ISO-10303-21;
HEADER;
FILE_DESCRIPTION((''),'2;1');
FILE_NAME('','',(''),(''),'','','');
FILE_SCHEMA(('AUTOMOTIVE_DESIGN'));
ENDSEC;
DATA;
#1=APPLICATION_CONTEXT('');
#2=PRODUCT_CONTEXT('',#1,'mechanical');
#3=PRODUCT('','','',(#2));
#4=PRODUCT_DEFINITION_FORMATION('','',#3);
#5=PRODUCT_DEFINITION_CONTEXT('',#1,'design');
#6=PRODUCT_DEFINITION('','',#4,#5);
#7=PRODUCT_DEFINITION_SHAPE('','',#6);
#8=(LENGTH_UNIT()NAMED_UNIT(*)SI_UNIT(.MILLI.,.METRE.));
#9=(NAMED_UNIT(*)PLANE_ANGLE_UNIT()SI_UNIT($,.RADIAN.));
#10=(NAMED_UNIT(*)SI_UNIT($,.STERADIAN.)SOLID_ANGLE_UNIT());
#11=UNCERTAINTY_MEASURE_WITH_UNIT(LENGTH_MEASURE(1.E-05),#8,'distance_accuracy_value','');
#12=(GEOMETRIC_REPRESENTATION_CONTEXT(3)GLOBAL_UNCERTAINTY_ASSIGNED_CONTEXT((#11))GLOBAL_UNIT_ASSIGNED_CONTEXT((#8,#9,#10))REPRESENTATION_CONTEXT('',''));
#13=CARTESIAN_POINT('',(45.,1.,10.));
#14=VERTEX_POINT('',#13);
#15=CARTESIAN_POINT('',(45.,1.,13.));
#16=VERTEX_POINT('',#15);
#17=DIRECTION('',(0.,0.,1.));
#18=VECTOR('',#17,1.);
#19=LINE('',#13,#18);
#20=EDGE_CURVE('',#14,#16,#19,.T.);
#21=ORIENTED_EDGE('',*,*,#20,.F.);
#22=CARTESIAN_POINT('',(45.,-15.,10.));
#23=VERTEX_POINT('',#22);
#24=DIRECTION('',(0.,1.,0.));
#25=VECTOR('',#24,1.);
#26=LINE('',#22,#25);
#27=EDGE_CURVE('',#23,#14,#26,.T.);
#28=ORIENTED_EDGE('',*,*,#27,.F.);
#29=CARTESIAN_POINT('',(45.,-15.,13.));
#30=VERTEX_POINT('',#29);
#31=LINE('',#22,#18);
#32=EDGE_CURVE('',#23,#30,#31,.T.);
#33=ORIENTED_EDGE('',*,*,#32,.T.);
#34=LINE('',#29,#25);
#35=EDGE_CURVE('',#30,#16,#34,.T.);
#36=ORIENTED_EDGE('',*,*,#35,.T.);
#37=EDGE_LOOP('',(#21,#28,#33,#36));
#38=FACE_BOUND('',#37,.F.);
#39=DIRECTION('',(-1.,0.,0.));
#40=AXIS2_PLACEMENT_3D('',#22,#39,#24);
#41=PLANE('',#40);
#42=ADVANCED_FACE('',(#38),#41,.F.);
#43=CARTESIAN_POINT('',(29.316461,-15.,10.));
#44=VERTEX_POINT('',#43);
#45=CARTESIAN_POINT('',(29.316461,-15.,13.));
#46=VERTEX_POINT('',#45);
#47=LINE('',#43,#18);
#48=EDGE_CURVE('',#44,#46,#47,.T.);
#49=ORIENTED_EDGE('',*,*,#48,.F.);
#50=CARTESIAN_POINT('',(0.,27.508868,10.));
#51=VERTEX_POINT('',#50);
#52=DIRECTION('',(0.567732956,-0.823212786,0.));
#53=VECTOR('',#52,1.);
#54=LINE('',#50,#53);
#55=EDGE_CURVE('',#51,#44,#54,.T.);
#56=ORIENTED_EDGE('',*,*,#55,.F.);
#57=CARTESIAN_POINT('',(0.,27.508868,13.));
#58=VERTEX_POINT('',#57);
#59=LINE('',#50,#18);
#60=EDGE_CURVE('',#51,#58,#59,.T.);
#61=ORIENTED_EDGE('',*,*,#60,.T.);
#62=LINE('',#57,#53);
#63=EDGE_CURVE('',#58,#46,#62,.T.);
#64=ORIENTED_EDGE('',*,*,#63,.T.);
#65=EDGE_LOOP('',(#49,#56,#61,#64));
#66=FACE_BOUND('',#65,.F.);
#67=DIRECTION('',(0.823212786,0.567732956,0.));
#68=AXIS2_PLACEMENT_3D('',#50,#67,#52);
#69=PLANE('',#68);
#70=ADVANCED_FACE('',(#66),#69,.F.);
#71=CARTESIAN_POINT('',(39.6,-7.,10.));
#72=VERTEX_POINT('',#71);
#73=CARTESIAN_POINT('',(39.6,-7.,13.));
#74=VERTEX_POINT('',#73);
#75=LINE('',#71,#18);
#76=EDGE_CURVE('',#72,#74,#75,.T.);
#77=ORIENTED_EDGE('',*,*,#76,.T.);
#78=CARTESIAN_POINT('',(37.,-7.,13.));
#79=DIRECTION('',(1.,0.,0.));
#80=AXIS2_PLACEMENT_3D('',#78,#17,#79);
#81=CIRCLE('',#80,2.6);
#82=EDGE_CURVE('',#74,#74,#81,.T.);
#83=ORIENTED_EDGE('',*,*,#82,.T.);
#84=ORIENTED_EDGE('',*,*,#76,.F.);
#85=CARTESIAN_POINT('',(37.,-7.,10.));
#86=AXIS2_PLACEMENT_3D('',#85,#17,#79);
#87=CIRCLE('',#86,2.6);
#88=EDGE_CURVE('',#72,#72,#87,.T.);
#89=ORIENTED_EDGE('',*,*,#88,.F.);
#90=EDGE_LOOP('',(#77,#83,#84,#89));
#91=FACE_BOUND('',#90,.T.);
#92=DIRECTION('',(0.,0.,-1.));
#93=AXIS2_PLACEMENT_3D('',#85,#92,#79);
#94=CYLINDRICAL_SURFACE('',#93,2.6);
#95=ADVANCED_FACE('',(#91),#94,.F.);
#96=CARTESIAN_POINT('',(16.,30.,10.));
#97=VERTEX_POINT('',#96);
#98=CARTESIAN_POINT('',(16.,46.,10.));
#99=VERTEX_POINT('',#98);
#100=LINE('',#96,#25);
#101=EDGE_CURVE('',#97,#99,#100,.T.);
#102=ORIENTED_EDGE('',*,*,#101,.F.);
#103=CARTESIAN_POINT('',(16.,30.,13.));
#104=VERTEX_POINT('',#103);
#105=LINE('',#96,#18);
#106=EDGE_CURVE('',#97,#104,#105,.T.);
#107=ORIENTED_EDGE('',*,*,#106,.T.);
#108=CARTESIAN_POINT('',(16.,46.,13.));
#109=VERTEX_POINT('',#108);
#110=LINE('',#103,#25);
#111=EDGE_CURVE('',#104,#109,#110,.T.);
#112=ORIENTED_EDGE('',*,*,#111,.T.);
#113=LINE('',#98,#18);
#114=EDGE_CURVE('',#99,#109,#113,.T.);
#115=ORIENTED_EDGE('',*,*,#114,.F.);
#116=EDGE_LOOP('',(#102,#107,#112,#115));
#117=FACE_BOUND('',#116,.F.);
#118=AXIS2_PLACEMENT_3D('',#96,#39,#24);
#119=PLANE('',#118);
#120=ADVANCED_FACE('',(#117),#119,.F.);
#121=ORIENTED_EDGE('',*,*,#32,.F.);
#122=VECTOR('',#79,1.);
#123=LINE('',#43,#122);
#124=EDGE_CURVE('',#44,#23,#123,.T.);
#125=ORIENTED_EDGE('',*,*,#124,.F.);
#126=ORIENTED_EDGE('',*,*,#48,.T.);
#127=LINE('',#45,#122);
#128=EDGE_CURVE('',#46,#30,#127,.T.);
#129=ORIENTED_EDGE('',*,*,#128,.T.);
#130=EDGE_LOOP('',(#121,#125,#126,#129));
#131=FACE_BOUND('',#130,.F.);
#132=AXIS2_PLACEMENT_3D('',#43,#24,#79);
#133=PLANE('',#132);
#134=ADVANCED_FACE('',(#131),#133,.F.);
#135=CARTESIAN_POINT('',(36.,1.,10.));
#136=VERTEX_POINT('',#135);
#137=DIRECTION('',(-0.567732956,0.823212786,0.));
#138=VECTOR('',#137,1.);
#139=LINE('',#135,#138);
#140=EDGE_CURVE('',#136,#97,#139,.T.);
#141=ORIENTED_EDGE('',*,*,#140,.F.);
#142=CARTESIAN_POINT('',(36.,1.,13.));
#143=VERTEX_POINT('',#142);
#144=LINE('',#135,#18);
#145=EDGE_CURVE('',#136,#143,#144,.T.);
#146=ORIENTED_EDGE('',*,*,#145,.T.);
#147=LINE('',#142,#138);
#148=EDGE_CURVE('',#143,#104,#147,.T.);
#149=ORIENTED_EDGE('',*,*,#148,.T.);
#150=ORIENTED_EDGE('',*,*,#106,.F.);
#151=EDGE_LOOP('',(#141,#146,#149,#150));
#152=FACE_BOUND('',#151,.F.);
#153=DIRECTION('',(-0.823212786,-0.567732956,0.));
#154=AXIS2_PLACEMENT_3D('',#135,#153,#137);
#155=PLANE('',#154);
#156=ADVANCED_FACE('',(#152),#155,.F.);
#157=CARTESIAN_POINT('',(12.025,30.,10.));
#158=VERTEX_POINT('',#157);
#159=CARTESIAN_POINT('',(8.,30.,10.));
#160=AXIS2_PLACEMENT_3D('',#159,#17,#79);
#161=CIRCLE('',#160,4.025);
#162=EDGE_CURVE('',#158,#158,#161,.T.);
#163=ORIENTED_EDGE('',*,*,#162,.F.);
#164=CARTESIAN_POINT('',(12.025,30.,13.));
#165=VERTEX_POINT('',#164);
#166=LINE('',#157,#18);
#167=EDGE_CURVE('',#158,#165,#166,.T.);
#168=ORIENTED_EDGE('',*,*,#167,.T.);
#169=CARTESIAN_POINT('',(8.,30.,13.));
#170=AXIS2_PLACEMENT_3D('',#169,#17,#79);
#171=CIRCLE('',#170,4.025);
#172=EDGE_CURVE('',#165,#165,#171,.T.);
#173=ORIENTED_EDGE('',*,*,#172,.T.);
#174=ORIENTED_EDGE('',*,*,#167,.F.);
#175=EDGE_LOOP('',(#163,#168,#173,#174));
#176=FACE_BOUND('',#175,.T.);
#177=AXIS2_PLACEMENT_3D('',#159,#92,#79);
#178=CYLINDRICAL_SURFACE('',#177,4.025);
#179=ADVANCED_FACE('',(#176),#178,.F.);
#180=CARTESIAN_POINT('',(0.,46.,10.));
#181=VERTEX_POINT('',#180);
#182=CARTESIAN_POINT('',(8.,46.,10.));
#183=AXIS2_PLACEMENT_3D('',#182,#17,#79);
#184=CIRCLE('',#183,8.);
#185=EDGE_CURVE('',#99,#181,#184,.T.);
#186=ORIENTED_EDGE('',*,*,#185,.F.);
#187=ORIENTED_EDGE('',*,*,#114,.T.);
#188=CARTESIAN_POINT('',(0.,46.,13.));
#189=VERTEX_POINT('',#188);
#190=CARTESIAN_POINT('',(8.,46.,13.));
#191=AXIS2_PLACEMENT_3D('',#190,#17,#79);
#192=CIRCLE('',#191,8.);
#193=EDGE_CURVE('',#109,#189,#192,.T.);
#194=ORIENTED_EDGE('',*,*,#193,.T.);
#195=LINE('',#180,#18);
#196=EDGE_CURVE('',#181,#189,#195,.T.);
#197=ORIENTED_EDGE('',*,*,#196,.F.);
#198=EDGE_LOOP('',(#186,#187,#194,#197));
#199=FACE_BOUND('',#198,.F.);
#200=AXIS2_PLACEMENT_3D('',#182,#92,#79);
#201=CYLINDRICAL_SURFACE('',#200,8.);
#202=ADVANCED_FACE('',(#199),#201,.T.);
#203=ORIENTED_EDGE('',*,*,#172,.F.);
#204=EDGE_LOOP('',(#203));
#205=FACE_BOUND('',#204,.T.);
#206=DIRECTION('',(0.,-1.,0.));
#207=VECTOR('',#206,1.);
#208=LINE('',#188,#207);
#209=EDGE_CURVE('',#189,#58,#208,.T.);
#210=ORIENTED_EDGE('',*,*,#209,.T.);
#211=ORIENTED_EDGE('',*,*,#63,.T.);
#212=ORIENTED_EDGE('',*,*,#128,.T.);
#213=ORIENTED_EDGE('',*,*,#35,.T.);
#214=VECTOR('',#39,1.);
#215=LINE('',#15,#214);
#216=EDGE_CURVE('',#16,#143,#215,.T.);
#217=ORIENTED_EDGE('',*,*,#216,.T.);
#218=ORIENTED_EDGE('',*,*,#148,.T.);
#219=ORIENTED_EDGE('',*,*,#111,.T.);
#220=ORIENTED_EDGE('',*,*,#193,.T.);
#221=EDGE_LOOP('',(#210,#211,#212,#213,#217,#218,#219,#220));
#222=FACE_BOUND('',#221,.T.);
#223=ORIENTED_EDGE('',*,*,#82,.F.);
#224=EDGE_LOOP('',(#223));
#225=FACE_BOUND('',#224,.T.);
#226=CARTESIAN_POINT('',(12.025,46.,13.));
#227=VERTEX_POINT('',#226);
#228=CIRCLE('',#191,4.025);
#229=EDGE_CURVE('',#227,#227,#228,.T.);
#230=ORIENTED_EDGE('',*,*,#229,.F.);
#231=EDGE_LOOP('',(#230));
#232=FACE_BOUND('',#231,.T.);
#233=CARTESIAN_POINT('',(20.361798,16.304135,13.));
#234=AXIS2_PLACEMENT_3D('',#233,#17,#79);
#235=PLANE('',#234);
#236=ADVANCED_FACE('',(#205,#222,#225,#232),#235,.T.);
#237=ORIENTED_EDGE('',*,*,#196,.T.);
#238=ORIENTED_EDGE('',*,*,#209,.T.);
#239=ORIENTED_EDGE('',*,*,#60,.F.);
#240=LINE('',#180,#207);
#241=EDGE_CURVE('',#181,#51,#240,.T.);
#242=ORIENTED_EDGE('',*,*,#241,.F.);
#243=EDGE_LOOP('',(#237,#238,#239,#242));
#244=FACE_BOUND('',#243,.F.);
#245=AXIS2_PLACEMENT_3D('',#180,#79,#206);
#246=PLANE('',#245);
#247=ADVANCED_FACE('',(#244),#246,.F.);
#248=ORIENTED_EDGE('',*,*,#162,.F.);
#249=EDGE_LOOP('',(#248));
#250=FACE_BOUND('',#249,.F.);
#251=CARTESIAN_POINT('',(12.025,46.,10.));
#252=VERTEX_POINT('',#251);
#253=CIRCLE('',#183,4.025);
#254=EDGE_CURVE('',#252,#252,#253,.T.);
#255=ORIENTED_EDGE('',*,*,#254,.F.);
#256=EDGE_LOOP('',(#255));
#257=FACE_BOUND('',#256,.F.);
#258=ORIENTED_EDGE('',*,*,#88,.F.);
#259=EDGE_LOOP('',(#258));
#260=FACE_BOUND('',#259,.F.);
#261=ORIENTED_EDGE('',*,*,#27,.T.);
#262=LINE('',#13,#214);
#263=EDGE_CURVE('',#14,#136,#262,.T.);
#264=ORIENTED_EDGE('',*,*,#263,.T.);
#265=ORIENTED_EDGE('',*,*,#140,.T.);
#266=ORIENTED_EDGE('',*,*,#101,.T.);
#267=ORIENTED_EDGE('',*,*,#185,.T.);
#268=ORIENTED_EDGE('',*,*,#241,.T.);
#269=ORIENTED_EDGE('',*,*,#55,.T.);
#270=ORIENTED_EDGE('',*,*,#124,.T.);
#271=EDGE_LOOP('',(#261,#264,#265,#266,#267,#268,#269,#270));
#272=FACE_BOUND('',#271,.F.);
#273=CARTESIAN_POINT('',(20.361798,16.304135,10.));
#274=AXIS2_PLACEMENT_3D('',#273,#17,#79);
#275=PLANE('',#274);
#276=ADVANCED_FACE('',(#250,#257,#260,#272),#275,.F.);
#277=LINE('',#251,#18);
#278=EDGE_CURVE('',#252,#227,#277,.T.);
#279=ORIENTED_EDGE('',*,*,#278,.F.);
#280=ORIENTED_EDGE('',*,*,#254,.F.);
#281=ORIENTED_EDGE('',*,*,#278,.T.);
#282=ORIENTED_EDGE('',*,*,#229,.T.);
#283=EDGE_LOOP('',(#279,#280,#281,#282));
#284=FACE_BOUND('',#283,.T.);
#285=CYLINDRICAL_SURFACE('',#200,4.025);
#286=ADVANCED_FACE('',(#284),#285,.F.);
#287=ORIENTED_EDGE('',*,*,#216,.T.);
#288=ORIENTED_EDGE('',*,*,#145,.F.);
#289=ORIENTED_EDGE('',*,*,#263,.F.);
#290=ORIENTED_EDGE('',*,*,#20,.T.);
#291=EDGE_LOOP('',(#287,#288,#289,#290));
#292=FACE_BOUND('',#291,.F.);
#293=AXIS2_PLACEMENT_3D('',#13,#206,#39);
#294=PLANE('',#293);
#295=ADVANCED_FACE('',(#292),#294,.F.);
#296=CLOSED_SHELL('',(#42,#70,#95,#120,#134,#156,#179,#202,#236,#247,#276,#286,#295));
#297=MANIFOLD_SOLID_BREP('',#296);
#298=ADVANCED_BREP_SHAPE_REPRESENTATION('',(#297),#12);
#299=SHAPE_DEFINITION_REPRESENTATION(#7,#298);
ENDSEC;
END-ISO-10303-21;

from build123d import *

# Parameters (mm, degrees)
EXTRUDE_START   = 10
SKETCH_1_R      = 4.025
SKETCH_1_R_2    = 2.6
EXTRUDE_1_DEPTH = 3


with BuildPart() as part:
    # ｽｹｯﾁ1 → ﾎﾞｽ - 押し出し1 (new body)
    with BuildSketch(Plane.XY.offset(EXTRUDE_START)):
        with BuildLine():
            Line((0, 46), (0, 27.508868037))
            Line((0, 27.508868037), (29.316460715, -15))
            Line((29.316460715, -15), (45, -15))
            Line((45, -15), (45, 1))
            Line((45, 1), (36, 1))
            Line((36, 1), (16, 30))
            Line((16, 30), (16, 46))
            ThreePointArc((16, 46), (8, 54), (0, 46))
        make_face()
        with Locations((8, 30)):
            Circle(SKETCH_1_R, mode=Mode.SUBTRACT)
        with Locations((8, 46)):
            Circle(SKETCH_1_R, mode=Mode.SUBTRACT)
        with Locations((37, -7)):
            Circle(SKETCH_1_R_2, mode=Mode.SUBTRACT)
    extrude(amount=EXTRUDE_1_DEPTH)


solid = part.part
